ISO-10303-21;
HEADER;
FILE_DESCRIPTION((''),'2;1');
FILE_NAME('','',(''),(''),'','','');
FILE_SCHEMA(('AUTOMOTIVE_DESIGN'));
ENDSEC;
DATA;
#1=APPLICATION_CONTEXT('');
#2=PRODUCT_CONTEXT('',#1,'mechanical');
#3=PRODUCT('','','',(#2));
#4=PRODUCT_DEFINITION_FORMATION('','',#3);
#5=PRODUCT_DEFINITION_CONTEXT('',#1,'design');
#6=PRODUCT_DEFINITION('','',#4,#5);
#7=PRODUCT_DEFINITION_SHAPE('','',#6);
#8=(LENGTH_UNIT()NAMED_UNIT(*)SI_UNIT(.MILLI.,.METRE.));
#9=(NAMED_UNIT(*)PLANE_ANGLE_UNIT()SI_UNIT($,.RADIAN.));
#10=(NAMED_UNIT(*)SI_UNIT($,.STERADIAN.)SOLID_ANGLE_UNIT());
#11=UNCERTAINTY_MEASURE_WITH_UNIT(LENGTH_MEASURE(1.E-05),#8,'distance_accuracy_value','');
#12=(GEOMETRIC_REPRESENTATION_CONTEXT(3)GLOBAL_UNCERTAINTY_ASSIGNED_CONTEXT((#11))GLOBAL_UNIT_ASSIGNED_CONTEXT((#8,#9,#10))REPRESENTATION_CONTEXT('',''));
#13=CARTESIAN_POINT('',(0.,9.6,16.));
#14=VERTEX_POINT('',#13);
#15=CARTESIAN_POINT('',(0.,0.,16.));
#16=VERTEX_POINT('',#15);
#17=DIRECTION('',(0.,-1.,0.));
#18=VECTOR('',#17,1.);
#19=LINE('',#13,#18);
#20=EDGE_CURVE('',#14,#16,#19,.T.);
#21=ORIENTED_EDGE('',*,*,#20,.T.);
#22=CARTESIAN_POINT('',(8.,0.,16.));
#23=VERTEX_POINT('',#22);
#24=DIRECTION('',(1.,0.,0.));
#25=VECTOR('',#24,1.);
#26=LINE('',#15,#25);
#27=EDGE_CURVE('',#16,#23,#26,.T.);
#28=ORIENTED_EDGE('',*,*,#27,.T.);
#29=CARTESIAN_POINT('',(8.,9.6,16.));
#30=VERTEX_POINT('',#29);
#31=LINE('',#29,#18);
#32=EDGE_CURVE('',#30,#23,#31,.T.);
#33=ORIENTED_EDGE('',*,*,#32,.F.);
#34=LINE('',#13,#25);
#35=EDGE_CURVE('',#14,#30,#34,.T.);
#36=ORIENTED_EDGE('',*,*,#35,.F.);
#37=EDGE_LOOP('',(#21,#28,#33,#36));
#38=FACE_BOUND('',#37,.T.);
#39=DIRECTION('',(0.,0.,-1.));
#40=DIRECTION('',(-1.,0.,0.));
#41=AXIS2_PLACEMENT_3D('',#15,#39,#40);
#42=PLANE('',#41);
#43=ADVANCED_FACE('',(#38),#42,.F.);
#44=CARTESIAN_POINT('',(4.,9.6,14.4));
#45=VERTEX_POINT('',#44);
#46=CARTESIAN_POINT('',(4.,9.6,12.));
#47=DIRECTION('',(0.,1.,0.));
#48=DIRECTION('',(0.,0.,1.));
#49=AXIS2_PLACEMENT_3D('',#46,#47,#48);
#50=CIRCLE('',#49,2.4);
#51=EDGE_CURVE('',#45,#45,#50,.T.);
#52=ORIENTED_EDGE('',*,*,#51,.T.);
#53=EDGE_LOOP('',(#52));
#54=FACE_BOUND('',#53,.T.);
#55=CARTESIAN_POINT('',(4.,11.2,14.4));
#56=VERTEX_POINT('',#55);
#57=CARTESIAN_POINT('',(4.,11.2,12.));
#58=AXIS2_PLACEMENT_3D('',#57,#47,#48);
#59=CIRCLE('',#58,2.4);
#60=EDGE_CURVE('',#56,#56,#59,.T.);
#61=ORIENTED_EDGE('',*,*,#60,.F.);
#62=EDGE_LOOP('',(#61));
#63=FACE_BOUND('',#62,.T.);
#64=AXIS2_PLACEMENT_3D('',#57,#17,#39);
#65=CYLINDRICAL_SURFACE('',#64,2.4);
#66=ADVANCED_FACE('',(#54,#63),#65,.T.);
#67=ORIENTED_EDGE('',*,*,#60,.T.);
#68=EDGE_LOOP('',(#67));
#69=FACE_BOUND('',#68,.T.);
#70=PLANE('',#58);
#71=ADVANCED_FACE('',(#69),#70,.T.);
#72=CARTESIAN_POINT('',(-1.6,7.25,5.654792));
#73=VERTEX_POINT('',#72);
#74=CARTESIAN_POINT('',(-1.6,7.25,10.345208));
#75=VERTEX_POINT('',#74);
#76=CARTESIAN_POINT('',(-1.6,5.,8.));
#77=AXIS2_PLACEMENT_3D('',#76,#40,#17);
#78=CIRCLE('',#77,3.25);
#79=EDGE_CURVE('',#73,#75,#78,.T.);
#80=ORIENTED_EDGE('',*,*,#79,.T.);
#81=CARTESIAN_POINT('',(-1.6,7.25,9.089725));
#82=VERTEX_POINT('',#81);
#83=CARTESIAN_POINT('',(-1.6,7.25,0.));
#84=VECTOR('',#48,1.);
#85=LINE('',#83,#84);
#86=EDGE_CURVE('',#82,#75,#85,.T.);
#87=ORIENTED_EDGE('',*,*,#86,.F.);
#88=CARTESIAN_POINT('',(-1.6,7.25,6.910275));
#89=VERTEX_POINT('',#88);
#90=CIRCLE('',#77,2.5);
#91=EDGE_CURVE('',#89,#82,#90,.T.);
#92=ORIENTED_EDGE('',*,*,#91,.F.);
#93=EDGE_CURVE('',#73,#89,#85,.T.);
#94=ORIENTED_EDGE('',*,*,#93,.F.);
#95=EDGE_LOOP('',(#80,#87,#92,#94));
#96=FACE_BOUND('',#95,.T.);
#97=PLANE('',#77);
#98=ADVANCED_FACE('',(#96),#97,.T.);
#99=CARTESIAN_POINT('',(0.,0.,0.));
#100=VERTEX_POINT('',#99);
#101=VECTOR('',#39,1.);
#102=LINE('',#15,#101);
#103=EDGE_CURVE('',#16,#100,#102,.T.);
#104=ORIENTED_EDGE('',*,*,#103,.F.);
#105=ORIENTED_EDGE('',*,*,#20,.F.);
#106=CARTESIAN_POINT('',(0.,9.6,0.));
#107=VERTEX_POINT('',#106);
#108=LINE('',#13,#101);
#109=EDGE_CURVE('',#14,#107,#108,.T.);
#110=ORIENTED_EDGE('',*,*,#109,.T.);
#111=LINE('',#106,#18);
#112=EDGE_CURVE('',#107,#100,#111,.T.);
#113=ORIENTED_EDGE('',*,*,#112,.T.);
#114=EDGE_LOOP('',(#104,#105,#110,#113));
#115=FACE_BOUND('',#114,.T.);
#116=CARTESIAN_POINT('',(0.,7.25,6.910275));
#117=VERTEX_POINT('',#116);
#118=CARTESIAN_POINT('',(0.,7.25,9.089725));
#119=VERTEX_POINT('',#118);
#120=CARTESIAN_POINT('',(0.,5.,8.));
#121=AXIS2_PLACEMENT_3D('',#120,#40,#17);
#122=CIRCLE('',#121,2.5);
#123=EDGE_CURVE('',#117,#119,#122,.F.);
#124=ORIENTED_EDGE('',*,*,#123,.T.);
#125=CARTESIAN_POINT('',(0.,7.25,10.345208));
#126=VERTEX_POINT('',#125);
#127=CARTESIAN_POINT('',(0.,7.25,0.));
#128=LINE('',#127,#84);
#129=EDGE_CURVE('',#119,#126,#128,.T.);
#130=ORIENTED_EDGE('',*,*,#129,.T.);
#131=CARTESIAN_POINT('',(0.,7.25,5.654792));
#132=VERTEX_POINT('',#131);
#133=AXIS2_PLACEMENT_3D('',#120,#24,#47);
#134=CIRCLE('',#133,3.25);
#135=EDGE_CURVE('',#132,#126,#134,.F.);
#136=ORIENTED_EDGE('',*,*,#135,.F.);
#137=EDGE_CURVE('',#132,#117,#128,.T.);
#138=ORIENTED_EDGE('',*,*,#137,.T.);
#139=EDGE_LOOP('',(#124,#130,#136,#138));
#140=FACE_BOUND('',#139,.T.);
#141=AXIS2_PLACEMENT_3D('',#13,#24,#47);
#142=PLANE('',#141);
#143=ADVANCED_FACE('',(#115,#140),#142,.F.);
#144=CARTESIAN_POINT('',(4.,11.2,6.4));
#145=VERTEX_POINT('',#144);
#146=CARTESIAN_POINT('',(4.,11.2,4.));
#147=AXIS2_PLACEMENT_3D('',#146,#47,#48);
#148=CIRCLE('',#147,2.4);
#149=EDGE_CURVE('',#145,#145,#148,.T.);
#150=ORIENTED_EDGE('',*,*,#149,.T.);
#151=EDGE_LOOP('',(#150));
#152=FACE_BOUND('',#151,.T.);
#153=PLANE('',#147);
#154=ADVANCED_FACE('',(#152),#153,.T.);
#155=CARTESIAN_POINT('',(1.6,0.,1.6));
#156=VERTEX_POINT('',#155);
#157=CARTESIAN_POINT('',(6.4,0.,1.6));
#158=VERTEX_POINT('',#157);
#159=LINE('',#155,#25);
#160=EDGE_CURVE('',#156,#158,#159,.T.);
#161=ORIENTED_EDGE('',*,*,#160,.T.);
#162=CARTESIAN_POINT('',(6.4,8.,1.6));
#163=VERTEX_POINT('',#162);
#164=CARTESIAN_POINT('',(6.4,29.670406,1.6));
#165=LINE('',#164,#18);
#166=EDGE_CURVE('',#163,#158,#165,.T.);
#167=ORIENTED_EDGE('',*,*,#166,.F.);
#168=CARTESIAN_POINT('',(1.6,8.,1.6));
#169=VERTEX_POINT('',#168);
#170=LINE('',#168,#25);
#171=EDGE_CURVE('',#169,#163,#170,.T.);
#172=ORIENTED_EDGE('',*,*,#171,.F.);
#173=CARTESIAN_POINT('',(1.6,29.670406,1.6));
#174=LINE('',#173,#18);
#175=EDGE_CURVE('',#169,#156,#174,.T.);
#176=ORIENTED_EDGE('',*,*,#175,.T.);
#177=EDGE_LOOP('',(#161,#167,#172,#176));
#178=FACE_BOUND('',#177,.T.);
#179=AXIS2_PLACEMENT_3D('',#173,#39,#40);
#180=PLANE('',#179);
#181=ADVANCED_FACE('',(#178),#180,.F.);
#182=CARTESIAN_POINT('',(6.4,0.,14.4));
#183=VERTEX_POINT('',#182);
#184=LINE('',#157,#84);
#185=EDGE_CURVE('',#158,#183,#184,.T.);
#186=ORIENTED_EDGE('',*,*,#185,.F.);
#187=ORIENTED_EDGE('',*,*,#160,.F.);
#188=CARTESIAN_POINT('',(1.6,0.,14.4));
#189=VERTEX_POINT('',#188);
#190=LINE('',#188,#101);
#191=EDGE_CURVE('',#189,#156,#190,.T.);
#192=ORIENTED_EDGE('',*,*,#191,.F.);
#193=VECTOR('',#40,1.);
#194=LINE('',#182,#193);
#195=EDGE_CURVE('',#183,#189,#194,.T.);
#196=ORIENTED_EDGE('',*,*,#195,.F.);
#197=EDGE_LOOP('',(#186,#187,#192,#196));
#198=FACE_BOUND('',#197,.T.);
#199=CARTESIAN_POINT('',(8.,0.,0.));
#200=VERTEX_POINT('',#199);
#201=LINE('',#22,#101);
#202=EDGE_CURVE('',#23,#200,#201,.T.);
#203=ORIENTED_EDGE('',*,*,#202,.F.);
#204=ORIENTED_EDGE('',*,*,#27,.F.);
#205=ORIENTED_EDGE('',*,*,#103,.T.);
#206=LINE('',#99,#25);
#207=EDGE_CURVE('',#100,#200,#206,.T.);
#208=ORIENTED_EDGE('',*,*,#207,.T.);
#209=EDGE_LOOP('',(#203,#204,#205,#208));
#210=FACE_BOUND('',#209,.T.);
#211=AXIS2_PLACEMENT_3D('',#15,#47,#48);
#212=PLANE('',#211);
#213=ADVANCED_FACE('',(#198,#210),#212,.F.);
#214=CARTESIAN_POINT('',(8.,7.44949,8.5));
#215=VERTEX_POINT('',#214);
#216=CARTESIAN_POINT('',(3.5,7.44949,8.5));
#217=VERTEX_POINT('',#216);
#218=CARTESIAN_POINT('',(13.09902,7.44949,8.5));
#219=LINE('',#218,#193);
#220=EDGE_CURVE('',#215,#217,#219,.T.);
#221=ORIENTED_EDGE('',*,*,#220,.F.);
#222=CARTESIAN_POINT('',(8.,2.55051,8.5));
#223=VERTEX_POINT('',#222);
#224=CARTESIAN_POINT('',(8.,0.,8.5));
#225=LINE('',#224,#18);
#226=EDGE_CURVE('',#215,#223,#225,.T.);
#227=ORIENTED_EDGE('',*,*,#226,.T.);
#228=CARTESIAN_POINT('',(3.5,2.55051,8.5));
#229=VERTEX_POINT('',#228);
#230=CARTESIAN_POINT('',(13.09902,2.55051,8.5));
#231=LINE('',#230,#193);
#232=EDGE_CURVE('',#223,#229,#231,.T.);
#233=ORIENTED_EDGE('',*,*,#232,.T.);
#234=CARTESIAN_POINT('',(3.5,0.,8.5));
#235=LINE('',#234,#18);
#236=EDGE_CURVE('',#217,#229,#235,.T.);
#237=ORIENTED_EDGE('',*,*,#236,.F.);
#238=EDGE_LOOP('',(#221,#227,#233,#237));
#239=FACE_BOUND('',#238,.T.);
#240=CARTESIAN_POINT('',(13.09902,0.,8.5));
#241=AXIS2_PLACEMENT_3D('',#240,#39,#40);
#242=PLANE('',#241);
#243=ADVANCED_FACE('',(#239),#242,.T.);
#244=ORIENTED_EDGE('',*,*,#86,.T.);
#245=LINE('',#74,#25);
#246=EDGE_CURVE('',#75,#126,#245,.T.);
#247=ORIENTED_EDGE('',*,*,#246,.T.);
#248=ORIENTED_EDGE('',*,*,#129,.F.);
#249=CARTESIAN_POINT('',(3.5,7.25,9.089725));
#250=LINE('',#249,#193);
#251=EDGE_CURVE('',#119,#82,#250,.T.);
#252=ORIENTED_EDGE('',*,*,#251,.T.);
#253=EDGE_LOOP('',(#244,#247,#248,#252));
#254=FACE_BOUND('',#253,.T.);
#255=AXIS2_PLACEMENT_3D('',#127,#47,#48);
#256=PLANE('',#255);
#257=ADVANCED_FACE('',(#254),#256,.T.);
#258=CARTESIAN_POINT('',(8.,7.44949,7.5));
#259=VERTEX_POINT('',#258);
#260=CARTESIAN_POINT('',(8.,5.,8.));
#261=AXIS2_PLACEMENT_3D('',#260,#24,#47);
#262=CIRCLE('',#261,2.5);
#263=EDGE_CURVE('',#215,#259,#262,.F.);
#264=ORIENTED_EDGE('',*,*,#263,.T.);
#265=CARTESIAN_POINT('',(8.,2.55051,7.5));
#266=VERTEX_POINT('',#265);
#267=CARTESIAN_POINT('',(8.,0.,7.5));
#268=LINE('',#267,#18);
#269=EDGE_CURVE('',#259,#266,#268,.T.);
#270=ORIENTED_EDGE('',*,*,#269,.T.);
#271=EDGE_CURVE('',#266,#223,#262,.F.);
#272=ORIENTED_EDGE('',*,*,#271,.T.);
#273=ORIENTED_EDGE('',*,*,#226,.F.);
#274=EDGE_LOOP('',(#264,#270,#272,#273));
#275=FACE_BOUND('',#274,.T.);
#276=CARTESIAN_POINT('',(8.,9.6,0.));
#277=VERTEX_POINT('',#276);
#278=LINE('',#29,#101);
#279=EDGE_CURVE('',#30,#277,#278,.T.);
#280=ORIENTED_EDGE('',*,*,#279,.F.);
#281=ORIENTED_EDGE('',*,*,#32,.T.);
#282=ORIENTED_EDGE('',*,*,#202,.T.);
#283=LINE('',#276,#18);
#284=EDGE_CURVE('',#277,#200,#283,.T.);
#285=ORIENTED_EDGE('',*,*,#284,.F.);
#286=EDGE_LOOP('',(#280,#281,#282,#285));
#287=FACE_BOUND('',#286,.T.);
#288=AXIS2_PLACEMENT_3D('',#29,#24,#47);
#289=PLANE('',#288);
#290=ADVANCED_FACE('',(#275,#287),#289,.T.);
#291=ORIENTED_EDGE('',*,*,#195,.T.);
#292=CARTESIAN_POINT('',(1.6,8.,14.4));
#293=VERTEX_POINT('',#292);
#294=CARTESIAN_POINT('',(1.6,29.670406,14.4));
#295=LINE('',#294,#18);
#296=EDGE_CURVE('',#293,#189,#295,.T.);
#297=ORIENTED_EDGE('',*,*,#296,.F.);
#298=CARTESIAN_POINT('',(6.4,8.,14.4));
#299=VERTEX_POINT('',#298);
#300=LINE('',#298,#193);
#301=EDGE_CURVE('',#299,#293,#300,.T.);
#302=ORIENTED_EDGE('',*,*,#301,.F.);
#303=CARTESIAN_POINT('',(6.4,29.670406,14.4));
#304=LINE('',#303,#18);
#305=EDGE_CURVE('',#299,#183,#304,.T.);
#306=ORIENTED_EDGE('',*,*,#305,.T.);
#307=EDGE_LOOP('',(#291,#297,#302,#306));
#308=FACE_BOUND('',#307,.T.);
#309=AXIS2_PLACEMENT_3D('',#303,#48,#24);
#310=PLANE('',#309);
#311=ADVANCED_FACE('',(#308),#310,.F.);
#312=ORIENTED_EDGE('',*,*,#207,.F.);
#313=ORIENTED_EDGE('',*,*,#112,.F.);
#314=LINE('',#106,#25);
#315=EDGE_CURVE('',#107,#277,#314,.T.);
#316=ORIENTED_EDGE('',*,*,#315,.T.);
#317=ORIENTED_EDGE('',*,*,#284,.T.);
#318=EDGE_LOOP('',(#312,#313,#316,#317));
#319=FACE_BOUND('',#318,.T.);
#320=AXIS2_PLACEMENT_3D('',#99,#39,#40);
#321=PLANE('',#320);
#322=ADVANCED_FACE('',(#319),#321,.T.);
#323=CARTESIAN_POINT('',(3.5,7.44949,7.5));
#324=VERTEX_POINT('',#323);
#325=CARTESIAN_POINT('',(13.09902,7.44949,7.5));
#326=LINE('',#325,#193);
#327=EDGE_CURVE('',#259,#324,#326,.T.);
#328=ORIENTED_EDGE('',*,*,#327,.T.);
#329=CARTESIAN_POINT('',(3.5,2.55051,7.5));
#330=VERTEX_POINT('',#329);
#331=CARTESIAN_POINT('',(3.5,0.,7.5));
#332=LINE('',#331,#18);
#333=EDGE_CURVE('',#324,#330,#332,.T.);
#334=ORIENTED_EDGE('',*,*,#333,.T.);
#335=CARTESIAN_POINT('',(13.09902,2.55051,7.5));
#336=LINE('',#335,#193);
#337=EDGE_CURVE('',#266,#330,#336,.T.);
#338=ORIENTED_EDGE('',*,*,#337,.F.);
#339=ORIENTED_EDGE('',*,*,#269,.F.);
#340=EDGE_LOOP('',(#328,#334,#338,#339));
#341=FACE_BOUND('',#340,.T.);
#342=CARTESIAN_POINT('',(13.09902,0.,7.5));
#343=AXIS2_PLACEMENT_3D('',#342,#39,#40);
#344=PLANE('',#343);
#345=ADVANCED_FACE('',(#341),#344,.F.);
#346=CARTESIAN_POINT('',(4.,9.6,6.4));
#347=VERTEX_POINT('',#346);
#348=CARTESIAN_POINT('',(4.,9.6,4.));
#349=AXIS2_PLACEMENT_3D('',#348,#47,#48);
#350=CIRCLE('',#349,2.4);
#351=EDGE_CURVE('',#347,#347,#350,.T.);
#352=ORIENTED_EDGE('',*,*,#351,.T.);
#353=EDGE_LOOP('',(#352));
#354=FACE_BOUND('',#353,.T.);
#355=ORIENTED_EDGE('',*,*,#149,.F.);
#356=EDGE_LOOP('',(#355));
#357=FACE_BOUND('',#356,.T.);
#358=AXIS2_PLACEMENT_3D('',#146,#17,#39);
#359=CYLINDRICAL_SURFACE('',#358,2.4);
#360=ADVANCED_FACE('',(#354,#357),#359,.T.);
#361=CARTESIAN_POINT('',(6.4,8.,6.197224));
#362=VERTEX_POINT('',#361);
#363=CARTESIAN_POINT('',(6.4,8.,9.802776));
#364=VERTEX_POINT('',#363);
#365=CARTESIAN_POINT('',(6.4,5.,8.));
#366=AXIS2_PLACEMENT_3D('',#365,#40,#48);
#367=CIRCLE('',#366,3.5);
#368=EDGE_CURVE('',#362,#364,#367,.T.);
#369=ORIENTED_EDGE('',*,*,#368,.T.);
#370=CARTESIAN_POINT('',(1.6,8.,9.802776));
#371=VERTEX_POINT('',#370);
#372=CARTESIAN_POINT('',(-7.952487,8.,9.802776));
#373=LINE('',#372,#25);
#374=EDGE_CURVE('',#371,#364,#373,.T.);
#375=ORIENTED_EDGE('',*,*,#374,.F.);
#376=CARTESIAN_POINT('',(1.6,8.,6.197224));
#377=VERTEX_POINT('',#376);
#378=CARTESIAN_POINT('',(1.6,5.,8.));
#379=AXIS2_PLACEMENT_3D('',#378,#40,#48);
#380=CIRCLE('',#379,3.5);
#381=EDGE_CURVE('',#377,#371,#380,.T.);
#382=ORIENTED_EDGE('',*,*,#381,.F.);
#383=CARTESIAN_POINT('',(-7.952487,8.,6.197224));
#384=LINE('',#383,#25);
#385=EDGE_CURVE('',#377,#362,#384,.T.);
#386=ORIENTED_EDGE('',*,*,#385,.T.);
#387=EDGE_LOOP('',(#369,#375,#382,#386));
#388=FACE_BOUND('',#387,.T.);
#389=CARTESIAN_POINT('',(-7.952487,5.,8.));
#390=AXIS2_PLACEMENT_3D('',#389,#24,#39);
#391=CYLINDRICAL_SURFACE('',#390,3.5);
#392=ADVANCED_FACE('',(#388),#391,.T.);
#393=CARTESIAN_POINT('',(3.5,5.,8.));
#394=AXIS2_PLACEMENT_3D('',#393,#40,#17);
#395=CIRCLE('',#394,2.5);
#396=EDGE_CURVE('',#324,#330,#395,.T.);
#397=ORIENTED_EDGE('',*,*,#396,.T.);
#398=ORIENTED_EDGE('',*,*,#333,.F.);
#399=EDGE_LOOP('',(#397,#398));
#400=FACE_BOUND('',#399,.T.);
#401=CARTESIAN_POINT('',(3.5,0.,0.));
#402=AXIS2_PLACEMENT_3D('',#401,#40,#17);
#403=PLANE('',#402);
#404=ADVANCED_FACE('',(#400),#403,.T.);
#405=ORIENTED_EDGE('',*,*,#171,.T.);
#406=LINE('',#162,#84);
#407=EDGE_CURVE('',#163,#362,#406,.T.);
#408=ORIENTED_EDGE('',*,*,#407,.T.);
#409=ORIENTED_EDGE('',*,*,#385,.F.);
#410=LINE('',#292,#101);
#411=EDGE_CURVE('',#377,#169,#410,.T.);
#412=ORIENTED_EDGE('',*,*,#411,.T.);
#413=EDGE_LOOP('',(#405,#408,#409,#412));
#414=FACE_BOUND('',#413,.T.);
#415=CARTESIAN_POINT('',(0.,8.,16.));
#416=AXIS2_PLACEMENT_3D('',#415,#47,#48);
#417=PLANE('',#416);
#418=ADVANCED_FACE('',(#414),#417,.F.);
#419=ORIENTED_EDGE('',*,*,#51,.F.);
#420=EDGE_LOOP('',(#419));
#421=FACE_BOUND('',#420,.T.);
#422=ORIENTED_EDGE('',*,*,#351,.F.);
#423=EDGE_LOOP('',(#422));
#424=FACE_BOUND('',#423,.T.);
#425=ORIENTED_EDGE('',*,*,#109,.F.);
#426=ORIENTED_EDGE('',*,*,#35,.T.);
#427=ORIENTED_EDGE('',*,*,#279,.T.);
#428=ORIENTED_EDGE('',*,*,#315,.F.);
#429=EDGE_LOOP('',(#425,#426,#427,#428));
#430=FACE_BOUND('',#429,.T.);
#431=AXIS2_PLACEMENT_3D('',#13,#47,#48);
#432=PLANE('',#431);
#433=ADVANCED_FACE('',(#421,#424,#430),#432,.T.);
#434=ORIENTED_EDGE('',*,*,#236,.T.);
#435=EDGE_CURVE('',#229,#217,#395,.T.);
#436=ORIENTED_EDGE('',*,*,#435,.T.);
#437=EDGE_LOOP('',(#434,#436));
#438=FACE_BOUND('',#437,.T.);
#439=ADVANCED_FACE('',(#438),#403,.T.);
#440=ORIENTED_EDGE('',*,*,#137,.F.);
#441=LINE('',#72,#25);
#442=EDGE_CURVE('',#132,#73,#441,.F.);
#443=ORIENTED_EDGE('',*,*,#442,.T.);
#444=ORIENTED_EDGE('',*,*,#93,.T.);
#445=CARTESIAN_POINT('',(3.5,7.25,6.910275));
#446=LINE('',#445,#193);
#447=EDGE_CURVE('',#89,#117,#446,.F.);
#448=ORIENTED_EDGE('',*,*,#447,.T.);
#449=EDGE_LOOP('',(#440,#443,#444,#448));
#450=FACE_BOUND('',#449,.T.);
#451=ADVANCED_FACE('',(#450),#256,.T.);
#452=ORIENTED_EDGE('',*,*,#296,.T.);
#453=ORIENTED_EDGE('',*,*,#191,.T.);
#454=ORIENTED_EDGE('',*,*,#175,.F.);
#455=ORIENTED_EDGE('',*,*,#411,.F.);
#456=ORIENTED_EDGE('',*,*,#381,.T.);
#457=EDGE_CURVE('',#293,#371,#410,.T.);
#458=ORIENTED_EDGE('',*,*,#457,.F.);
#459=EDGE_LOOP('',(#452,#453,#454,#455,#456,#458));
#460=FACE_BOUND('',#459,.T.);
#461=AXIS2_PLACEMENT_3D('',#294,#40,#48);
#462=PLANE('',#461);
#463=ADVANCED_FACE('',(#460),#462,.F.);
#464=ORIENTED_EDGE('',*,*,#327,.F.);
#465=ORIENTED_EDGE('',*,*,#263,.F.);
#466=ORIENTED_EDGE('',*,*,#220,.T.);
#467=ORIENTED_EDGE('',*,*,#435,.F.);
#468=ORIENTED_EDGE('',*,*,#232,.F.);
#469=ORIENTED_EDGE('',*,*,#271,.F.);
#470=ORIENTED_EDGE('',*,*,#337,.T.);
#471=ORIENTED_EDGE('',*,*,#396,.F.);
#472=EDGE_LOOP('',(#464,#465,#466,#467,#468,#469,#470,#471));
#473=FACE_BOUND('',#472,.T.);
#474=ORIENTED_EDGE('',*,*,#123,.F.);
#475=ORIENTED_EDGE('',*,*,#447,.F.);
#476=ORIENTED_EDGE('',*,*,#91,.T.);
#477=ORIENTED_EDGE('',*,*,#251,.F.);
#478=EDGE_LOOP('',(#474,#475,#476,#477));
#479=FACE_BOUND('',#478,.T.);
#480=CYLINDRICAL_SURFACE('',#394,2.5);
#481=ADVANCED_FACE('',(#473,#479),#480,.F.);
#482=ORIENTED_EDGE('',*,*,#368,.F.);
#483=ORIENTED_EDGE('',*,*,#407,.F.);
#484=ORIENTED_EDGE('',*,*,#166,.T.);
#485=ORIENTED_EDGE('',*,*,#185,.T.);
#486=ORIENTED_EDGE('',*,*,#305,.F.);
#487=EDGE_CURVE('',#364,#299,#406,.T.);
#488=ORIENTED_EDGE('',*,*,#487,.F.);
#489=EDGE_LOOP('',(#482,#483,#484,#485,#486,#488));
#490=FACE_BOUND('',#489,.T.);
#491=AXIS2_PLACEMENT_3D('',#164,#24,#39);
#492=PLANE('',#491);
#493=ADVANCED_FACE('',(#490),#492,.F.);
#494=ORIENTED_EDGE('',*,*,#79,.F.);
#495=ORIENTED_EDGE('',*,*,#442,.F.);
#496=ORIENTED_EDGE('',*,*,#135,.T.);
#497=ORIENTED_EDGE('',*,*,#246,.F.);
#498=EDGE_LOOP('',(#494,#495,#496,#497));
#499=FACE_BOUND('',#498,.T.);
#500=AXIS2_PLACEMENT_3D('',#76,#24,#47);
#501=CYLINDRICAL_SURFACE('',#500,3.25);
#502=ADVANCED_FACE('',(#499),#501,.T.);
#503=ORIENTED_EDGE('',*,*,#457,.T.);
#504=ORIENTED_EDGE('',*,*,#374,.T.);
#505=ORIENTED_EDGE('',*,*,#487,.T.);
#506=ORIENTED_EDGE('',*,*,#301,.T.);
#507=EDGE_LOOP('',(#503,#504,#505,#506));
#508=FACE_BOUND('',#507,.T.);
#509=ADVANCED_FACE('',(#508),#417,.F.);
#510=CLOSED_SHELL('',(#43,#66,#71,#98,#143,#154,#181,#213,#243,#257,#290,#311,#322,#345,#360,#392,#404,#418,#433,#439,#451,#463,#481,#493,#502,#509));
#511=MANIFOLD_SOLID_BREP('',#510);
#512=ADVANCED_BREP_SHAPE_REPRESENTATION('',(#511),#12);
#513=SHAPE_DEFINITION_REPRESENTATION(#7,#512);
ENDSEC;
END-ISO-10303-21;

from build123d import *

# Parameters (mm, degrees)
SKETCH1_W           = 8
SKETCH1_H           = 9.6
BOSS_EXTRUDE1_DEPTH = 16
SKETCH4_W           = 4.8
SKETCH4_H           = 12.8
CUT_EXTRUDE1_DEPTH  = 8
SKETCH5_R           = 2.4
BOSS_EXTRUDE2_DEPTH = 1.6
BOSS_EXTRUDE3_DEPTH = 4.8
SKETCH7_R           = 2.5
CUT_EXTRUDE2_DEPTH  = 3.5
CUT_EXTRUDE3_DEPTH  = 4.5
SKETCH9_R           = 3.25
SKETCH9_R_2         = 2.5
BOSS_EXTRUDE4_DEPTH = 1.6
SKETCH10_W          = 1.6
SKETCH10_H          = 6.5
CUT_EXTRUDE4_DEPTH  = 1


with BuildPart() as part:
    # Sketch1 → Boss-Extrude1 (new body)
    with BuildSketch(Plane.XY):
        with Locations((4, 4.8)):
            Rectangle(SKETCH1_W, SKETCH1_H)
    extrude(amount=BOSS_EXTRUDE1_DEPTH)

    # Sketch4 → Cut-Extrude1 (cut)
    with BuildSketch(Plane.XZ):
        with Locations((4, 8)):
            Rectangle(SKETCH4_W, SKETCH4_H)
    extrude(amount=-CUT_EXTRUDE1_DEPTH, mode=Mode.SUBTRACT)

    # Sketch5 → Boss-Extrude2 (add)
    with BuildSketch(Plane(origin=(0, 9.6, 0), x_dir=(1, 0, 0), z_dir=(0, 1, 0))):
        with Locations((4, -12)):
            Circle(SKETCH5_R)
        with Locations((4, -4)):
            Circle(SKETCH5_R)
    extrude(amount=BOSS_EXTRUDE2_DEPTH)

    # Sketch6 → Boss-Extrude3 (add)
    with BuildSketch(Plane.ZY.offset(-6.4)):
        with BuildLine():
            ThreePointArc((9.802775638, 8), (8, 8.5), (6.197224362, 8))
            Line((6.197224362, 8), (9.802775638, 8))
        make_face()
        with BuildLine():
            Line((9.802775638, 8), (6.197224362, 8))
            ThreePointArc((6.197224362, 8), (6.276589824, 1.953714169), (11.5, 5))
            ThreePointArc((11.5, 5), (11.046285831, 6.723410176), (9.802775638, 8))
        make_face()
    extrude(amount=BOSS_EXTRUDE3_DEPTH)

    # Sketch7 → Cut-Extrude2 (cut)
    with BuildSketch(Plane.ZY):
        with Locations((8, 5)):
            Circle(SKETCH7_R)
    extrude(amount=-CUT_EXTRUDE2_DEPTH, mode=Mode.SUBTRACT)

    # Sketch8 → Cut-Extrude3 (cut)
    with BuildSketch(Plane.ZY.offset(-3.5)):
        with BuildLine():
            ThreePointArc((8.5, 7.449489743), (8, 7.5), (7.5, 7.449489743))
            Line((7.5, 7.449489743), (7.5, 2.550510257))
            ThreePointArc((7.5, 2.550510257), (8, 2.5), (8.5, 2.550510257))
            Line((8.5, 2.550510257), (8.5, 7.449489743))
        make_face()
    extrude(amount=-CUT_EXTRUDE3_DEPTH, mode=Mode.SUBTRACT)

    # Sketch9 → Boss-Extrude4 (add)
    with BuildSketch(Plane.ZY):
        with Locations((8, 5)):
            Circle(SKETCH9_R)
        with Locations((8, 5)):
            Circle(SKETCH9_R_2, mode=Mode.SUBTRACT)
    extrude(amount=BOSS_EXTRUDE4_DEPTH)

    # Sketch10 → Cut-Extrude4 (cut)
    with BuildSketch(Plane(origin=(0, 8.25, 0), x_dir=(1, 0, 0), z_dir=(0, 1, 0))):
        with Locations((-0.8, -8)):
            Rectangle(SKETCH10_W, SKETCH10_H)
    extrude(amount=-CUT_EXTRUDE4_DEPTH, mode=Mode.SUBTRACT)


solid = part.part
